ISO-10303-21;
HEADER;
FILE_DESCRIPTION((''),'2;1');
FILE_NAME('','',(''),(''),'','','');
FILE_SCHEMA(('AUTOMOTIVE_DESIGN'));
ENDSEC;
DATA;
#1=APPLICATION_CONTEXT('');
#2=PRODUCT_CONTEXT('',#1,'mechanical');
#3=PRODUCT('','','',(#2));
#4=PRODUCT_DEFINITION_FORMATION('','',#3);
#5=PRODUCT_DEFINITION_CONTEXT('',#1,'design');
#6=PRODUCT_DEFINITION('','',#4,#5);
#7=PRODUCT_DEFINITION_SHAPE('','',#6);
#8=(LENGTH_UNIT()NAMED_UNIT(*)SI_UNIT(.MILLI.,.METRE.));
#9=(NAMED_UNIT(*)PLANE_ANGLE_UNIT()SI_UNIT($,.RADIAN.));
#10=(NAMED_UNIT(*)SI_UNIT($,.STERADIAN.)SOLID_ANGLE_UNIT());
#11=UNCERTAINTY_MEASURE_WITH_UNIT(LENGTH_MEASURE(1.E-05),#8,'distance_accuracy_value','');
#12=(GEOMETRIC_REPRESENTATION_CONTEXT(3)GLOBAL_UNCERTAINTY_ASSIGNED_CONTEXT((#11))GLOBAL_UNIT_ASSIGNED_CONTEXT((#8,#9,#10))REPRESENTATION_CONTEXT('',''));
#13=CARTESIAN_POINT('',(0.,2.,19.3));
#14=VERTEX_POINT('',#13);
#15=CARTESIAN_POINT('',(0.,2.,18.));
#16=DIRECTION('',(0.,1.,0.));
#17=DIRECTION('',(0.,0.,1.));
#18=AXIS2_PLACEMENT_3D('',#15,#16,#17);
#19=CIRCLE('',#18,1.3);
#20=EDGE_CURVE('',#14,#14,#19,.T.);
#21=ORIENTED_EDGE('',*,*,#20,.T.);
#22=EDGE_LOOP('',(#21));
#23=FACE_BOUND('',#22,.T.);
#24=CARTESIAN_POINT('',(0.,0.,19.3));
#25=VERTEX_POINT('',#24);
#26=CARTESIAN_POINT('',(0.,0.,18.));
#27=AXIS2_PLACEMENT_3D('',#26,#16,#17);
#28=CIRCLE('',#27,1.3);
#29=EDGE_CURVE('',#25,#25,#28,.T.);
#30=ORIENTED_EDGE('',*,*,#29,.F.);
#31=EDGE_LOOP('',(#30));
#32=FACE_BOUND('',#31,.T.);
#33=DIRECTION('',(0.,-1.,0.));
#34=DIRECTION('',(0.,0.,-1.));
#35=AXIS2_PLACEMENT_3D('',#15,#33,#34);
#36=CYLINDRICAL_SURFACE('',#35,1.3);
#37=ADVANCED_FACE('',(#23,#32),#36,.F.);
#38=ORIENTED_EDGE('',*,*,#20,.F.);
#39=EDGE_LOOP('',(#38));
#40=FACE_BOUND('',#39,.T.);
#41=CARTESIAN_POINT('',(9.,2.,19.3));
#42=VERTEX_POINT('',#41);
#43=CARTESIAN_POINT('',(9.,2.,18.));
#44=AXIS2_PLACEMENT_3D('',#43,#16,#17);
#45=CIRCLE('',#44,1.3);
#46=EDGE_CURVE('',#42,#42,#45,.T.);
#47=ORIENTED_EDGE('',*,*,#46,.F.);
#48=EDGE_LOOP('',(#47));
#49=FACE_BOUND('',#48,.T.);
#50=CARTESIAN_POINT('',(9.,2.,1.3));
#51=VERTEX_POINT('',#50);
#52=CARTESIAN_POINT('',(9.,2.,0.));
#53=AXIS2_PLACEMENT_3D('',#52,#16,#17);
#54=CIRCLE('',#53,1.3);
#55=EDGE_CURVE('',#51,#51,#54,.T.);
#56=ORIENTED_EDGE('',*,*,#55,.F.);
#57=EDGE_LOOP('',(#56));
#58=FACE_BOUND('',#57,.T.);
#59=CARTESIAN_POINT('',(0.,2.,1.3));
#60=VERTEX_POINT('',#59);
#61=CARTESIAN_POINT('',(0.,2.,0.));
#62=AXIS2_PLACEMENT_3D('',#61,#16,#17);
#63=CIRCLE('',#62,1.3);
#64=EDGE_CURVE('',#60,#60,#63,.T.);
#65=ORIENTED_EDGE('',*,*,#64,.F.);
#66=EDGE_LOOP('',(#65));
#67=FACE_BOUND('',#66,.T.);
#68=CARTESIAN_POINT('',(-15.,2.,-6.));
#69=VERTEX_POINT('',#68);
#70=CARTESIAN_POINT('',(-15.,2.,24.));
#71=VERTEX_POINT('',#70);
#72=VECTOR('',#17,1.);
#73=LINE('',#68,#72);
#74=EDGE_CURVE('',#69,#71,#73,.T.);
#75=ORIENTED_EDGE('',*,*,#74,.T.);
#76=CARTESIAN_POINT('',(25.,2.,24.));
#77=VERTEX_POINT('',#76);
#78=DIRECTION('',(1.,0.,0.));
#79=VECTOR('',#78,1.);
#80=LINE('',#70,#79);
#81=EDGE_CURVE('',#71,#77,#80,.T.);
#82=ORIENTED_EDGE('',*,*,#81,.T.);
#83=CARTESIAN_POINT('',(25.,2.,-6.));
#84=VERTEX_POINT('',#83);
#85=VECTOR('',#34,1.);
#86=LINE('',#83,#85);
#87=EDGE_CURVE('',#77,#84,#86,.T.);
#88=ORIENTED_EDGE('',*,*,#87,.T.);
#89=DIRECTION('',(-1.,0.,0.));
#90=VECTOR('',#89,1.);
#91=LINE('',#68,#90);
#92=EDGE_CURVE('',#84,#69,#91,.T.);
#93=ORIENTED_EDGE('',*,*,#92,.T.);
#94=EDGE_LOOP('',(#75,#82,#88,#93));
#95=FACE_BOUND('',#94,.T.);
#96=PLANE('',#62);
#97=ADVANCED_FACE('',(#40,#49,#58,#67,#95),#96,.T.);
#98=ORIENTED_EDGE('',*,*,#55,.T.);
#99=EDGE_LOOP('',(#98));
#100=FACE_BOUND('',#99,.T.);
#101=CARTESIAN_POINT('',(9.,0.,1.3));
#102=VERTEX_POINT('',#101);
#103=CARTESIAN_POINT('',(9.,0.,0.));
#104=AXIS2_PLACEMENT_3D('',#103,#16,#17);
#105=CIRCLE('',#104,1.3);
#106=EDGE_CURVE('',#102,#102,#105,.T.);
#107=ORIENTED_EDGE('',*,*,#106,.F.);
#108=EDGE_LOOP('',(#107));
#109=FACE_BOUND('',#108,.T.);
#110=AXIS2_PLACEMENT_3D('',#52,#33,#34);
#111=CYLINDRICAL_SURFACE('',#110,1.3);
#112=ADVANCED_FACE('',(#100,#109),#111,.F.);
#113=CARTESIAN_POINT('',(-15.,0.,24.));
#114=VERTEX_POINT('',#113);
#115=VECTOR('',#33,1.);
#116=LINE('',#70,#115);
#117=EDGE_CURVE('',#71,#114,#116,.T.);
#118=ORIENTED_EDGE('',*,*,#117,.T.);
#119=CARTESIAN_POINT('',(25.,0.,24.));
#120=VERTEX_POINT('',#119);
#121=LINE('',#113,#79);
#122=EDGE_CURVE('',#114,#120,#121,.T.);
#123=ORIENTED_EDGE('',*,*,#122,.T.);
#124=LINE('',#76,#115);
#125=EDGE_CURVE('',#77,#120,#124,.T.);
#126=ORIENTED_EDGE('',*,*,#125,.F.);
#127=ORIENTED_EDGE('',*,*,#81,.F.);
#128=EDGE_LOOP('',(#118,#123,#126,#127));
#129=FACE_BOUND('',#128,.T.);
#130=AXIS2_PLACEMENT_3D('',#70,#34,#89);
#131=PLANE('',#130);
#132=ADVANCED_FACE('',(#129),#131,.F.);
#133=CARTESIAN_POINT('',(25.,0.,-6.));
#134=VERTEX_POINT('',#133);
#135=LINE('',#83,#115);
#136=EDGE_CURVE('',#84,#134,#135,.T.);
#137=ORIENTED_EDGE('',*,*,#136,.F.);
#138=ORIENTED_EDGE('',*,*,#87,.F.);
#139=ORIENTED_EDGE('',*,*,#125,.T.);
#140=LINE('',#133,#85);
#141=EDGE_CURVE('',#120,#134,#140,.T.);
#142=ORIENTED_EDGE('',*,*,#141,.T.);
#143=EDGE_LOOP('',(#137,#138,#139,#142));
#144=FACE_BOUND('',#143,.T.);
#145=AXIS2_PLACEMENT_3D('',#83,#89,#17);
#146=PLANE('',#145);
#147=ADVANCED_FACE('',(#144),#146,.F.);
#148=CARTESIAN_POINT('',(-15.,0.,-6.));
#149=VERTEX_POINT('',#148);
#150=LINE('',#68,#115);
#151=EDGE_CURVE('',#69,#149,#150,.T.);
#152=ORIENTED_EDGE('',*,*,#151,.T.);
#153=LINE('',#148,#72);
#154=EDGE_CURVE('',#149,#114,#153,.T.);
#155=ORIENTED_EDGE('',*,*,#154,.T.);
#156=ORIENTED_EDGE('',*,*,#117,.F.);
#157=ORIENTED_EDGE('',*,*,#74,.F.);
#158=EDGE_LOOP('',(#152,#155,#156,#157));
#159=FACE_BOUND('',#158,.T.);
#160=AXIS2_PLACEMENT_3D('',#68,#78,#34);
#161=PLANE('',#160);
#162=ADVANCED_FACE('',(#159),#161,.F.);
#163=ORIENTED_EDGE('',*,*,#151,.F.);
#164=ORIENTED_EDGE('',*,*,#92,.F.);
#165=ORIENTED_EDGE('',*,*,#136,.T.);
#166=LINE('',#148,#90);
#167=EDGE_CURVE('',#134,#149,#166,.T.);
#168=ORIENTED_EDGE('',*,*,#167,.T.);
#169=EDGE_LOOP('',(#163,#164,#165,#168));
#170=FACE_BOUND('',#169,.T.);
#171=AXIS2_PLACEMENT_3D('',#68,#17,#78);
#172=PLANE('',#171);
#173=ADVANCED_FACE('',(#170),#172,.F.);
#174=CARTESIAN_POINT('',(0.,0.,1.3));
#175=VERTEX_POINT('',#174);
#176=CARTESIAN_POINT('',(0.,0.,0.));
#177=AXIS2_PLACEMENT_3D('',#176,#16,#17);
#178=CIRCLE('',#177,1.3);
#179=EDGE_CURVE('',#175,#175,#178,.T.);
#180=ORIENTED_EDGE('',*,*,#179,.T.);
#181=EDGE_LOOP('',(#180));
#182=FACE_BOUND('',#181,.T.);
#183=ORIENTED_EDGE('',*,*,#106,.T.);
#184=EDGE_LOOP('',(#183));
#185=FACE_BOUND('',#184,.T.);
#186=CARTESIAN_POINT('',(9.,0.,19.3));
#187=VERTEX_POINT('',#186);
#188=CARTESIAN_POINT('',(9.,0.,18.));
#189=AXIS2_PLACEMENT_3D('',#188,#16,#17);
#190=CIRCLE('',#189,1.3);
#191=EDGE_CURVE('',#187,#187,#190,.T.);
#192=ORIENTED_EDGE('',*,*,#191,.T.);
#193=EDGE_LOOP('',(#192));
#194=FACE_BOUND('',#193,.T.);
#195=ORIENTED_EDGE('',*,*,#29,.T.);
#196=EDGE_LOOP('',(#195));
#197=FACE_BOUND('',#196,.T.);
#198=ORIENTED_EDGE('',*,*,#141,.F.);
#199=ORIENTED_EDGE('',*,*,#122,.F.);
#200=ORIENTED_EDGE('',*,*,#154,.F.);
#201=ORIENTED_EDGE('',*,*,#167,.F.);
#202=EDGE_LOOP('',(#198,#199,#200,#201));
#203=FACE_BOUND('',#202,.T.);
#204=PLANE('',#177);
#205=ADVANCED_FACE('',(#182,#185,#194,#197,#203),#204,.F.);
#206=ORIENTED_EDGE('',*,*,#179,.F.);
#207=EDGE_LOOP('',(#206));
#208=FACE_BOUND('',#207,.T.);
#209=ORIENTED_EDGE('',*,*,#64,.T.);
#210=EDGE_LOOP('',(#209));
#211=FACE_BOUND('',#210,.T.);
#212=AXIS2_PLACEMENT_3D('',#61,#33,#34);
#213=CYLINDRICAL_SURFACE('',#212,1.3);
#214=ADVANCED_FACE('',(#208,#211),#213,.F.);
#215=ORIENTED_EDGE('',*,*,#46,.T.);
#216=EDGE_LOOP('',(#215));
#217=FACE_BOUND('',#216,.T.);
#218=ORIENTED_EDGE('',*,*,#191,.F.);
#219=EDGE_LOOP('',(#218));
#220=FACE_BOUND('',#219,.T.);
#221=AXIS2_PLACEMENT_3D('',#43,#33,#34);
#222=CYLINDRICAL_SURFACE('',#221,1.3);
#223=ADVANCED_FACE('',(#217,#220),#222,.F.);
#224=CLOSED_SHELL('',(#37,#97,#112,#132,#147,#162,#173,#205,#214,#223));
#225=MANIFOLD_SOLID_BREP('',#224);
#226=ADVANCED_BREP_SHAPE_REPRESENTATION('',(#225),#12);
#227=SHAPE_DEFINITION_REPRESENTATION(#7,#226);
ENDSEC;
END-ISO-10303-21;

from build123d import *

# Parameters (mm, degrees)
SKETCH1_W           = 40
SKETCH1_H           = 30
SKETCH1_R           = 1.3
BOSS_EXTRUDE1_DEPTH = 2


with BuildPart() as part:
    # Sketch1 → Boss-Extrude1 (new body)
    with BuildSketch(Plane(origin=(0, 0, 0), x_dir=(1, 0, 0), z_dir=(0, 1, 0))):
        with Locations((5, -9)):
            Rectangle(SKETCH1_W, SKETCH1_H)
        with Locations(Location((0, 0, 0), (0, 0, 270))):
            Circle(SKETCH1_R, mode=Mode.SUBTRACT)
        with Locations(Location((9, 0, 0), (0, 0, 270))):
            Circle(SKETCH1_R, mode=Mode.SUBTRACT)
        with Locations(Location((0, -18, 0), (0, 0, 270))):
            Circle(SKETCH1_R, mode=Mode.SUBTRACT)
        with Locations(Location((9, -18, 0), (0, 0, 270))):
            Circle(SKETCH1_R, mode=Mode.SUBTRACT)
    extrude(amount=BOSS_EXTRUDE1_DEPTH)


solid = part.part
